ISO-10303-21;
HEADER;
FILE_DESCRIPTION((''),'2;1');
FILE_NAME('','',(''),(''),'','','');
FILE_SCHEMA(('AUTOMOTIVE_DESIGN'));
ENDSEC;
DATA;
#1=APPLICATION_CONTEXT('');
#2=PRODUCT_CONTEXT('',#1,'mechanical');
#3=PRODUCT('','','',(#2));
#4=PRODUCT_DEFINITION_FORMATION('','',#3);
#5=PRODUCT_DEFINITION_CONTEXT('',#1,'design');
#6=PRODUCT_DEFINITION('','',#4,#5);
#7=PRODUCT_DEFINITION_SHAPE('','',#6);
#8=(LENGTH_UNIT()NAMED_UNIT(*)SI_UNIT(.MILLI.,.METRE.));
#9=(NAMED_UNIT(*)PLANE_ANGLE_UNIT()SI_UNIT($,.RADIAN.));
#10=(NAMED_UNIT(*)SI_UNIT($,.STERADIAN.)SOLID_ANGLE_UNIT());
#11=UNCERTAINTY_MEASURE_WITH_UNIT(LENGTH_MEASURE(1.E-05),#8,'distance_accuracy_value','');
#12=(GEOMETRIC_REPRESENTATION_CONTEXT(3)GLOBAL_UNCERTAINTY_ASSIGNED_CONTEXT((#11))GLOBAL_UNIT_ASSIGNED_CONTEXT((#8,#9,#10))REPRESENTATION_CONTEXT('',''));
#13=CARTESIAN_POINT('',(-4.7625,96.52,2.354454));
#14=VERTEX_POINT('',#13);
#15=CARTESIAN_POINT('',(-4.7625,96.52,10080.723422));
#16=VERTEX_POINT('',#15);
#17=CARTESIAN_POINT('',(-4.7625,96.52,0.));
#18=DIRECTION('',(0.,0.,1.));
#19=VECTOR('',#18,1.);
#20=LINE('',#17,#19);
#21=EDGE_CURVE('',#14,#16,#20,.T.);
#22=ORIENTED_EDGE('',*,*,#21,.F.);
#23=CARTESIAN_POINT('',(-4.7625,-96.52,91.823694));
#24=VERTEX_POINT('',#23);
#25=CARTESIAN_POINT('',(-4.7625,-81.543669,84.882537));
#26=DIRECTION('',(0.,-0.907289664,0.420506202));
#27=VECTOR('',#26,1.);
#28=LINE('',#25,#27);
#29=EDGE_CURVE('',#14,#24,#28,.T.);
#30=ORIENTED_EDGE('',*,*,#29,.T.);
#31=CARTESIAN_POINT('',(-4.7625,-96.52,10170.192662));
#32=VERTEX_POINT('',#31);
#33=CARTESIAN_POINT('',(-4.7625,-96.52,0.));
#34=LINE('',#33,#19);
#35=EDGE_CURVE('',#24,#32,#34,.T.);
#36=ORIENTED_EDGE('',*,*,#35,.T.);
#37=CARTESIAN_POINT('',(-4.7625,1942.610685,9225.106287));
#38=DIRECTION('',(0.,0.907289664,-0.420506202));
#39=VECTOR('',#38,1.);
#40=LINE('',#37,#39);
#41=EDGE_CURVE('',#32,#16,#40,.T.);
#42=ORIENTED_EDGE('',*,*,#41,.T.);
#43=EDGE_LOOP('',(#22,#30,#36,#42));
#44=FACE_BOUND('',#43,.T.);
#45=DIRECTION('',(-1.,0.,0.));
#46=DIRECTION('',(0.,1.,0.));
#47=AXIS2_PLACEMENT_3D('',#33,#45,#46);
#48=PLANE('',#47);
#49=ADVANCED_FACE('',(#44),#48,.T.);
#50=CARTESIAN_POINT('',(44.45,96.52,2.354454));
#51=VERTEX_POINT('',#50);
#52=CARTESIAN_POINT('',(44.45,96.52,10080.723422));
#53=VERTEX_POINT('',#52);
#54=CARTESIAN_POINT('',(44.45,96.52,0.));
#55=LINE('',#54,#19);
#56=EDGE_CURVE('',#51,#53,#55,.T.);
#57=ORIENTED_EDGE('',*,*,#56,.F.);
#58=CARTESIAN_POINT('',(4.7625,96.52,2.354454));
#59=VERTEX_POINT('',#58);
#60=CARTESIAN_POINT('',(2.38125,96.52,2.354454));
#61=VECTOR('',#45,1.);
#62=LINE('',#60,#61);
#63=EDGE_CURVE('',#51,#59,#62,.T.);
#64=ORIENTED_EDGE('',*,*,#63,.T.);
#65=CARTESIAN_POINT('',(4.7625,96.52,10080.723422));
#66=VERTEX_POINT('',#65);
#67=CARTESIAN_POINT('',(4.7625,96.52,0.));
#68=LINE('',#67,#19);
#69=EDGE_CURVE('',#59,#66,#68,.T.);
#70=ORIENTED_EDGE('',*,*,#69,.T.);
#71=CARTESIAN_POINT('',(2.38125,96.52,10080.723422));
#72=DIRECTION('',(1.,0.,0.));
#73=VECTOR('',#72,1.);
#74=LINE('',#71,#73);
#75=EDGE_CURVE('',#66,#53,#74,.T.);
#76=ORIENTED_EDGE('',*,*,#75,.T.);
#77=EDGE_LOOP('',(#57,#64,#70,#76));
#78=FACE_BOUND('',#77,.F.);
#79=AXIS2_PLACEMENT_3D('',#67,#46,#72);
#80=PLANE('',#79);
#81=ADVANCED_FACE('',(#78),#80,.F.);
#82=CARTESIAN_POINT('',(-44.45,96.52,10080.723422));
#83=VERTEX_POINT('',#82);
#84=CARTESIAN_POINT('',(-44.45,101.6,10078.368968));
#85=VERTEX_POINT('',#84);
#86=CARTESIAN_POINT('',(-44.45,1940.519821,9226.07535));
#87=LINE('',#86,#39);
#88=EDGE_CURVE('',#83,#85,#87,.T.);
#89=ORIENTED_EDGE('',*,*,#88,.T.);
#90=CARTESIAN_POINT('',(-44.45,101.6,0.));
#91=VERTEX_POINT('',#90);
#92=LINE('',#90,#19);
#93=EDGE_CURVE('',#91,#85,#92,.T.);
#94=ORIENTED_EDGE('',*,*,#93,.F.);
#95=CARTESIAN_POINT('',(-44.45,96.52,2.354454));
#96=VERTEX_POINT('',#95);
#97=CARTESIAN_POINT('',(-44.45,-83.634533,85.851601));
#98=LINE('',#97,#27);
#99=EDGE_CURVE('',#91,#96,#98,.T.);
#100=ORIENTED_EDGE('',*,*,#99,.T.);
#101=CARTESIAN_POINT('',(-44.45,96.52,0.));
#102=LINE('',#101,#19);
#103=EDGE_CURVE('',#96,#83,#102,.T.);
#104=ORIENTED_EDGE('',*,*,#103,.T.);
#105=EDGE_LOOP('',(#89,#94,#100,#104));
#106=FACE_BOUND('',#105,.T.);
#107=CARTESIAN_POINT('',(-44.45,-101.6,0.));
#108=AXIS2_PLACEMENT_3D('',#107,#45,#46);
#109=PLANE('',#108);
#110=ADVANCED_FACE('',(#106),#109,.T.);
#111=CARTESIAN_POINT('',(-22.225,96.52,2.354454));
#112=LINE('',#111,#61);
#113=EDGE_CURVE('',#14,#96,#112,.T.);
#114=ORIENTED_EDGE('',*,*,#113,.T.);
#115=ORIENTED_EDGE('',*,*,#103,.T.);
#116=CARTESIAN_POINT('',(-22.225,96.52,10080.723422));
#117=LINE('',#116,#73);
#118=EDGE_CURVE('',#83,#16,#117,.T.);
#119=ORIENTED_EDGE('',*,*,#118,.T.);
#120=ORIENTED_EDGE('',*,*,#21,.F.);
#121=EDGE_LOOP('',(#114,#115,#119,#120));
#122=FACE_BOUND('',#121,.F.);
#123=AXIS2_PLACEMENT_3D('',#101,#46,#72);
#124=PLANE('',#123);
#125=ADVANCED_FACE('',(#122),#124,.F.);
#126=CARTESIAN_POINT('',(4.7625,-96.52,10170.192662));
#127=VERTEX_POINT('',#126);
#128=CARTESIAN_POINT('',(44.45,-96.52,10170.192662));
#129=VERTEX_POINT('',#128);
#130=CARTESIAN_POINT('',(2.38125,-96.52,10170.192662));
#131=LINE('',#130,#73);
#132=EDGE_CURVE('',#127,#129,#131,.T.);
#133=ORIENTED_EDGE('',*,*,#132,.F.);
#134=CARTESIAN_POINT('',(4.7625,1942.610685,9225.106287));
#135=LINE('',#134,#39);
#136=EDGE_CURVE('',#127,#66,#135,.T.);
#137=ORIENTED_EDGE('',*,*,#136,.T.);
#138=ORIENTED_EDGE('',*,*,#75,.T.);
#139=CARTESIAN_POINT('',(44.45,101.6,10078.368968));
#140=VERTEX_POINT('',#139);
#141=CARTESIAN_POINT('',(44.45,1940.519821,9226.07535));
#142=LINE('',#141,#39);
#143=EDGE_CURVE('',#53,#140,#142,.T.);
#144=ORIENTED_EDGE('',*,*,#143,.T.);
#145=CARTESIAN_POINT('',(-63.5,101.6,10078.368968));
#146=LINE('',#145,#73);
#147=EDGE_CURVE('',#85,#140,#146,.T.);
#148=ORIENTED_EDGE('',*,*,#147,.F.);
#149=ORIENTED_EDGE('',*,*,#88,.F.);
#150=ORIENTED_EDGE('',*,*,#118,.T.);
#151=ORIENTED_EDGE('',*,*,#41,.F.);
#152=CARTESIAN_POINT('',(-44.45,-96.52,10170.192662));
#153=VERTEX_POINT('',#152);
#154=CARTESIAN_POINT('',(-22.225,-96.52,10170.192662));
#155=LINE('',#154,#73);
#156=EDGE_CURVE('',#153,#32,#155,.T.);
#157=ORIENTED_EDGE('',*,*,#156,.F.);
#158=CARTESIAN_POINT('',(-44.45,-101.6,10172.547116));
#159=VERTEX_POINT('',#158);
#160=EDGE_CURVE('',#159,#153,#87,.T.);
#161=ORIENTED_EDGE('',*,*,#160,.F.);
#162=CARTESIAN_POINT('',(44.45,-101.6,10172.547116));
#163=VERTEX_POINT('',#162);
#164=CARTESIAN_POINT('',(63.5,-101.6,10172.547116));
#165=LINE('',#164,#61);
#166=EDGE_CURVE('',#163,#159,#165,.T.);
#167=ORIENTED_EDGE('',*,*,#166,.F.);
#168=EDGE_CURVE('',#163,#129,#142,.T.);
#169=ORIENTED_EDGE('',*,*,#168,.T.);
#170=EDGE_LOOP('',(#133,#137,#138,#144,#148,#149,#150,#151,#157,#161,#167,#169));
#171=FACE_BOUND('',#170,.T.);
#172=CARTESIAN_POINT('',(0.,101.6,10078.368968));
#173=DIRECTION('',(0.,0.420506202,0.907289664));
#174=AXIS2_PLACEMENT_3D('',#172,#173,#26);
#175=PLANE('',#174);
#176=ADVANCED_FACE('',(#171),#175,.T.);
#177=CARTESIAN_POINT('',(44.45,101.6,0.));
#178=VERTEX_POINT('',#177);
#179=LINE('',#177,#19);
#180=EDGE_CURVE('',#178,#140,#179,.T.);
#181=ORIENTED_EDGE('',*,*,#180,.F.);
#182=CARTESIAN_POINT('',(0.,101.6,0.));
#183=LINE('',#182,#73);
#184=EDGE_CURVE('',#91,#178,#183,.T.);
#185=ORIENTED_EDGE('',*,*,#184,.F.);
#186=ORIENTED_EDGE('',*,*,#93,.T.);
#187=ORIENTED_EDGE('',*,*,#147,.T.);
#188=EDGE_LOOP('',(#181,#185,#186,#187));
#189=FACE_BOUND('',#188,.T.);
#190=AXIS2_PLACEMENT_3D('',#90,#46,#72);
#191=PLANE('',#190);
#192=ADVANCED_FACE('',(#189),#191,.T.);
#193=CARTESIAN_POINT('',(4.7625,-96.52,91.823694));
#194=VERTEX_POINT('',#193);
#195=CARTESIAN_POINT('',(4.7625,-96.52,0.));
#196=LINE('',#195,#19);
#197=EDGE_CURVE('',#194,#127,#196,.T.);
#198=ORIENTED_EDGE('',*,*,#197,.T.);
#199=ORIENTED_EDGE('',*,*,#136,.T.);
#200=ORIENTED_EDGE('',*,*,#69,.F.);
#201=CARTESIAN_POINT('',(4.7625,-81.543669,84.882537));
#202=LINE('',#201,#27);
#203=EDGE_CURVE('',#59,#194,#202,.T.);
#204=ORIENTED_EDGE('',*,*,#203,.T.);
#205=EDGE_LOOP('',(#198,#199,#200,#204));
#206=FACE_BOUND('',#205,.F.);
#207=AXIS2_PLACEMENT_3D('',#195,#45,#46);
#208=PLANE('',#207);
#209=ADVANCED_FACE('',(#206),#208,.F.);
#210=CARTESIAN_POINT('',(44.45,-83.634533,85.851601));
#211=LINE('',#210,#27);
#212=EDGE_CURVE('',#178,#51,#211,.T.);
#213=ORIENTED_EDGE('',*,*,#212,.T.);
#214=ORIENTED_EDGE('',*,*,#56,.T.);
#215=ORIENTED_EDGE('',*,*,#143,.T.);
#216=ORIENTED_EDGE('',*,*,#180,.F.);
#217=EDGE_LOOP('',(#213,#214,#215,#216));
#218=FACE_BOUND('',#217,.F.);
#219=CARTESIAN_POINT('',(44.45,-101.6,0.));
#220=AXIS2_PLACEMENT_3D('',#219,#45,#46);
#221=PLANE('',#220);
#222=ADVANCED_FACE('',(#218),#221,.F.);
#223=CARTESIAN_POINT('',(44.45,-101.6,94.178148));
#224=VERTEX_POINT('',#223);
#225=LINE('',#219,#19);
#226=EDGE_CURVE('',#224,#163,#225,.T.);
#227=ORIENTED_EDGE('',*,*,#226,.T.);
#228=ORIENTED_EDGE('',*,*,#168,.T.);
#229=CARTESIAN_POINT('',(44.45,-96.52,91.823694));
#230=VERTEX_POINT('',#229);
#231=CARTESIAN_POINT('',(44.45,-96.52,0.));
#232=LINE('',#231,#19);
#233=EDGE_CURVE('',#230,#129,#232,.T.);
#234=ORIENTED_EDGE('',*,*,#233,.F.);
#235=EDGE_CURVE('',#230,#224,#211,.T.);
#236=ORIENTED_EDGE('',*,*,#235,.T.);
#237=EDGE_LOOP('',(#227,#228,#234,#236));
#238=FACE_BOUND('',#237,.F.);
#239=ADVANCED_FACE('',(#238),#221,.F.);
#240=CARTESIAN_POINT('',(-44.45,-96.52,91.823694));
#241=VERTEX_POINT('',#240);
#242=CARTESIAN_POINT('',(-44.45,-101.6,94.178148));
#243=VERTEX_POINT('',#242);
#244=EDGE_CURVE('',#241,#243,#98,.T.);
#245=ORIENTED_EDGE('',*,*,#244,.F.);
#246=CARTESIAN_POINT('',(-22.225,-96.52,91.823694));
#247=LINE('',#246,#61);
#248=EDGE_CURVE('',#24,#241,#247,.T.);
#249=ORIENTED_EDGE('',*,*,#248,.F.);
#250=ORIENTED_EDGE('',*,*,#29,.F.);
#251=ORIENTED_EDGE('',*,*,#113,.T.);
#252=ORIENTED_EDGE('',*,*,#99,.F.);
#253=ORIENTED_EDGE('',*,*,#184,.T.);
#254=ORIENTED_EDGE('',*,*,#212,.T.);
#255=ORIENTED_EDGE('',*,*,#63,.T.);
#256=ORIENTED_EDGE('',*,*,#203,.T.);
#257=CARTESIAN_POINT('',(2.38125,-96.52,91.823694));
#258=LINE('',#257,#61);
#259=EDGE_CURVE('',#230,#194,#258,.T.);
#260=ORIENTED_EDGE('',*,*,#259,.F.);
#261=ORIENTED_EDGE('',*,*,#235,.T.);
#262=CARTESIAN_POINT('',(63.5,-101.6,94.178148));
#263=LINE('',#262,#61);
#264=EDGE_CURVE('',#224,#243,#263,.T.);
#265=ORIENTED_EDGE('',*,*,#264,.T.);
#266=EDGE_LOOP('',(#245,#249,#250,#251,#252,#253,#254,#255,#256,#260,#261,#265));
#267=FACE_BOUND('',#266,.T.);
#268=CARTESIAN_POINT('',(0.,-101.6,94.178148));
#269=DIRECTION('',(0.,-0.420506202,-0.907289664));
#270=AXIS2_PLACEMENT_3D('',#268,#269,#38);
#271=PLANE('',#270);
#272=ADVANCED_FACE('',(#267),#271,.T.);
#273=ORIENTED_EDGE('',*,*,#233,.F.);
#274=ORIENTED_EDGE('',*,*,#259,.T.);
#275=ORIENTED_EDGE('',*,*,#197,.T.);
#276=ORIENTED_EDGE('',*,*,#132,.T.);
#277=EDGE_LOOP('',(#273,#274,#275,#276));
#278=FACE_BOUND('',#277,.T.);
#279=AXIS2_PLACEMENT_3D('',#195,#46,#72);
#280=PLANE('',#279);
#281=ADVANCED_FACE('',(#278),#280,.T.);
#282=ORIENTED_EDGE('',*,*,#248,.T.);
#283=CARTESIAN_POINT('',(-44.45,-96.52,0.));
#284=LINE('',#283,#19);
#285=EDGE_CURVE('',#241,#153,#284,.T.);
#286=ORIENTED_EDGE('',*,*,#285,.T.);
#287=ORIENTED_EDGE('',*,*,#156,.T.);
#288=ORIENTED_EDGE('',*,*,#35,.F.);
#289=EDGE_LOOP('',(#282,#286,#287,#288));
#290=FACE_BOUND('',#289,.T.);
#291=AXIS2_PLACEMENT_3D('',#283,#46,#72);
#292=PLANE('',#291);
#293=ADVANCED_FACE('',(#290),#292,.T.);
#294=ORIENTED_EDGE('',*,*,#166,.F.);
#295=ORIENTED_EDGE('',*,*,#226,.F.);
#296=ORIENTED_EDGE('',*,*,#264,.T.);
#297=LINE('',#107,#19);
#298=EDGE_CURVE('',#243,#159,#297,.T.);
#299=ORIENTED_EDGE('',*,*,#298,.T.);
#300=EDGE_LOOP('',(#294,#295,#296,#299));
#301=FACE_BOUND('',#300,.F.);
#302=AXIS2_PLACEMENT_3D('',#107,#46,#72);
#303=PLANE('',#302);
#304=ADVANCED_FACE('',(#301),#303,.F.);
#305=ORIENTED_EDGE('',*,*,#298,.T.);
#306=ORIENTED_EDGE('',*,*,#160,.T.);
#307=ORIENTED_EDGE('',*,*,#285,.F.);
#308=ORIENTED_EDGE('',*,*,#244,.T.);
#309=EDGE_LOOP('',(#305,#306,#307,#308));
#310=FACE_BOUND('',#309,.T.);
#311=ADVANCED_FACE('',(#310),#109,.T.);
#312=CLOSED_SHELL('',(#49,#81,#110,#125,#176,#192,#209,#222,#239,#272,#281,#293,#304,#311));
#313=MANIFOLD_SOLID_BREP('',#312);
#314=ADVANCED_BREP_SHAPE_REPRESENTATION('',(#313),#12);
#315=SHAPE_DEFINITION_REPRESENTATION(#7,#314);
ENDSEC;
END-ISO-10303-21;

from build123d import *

# Parameters (mm, degrees)
F0_W     = 88.9
F0_H     = 203.2
F1_DEPTH = 10668
F2_W     = 39.6875
F2_H     = 193.04
F3_DEPTH = 10668.001
F5_DEPTH = 63.5


with BuildPart() as f1:
    # F0 (on Top) → F1 (new body)
    with BuildSketch(Plane.XY):
        Rectangle(F0_W, F0_H)
    extrude(amount=F1_DEPTH)

    # F2 (on Top) → F3 (cut, through all)
    with BuildSketch(Plane.XY):
        with Locations((-24.60625, 0)):
            Rectangle(F2_W, F2_H)
        with Locations((24.60625, 0)):
            Rectangle(F2_W, F2_H)
    extrude(amount=F3_DEPTH, mode=Mode.SUBTRACT)

    # F4 (on Right) → F5 (intersect, symmetric)
    with BuildSketch(Plane.YZ):
        Polygon((-101.6, 94.178148), (101.6, 0), (101.6, 10078.368968), (-101.6, 10172.547116), align=None)
    extrude(amount=F5_DEPTH, both=True, mode=Mode.INTERSECT)


solid = f1.part
